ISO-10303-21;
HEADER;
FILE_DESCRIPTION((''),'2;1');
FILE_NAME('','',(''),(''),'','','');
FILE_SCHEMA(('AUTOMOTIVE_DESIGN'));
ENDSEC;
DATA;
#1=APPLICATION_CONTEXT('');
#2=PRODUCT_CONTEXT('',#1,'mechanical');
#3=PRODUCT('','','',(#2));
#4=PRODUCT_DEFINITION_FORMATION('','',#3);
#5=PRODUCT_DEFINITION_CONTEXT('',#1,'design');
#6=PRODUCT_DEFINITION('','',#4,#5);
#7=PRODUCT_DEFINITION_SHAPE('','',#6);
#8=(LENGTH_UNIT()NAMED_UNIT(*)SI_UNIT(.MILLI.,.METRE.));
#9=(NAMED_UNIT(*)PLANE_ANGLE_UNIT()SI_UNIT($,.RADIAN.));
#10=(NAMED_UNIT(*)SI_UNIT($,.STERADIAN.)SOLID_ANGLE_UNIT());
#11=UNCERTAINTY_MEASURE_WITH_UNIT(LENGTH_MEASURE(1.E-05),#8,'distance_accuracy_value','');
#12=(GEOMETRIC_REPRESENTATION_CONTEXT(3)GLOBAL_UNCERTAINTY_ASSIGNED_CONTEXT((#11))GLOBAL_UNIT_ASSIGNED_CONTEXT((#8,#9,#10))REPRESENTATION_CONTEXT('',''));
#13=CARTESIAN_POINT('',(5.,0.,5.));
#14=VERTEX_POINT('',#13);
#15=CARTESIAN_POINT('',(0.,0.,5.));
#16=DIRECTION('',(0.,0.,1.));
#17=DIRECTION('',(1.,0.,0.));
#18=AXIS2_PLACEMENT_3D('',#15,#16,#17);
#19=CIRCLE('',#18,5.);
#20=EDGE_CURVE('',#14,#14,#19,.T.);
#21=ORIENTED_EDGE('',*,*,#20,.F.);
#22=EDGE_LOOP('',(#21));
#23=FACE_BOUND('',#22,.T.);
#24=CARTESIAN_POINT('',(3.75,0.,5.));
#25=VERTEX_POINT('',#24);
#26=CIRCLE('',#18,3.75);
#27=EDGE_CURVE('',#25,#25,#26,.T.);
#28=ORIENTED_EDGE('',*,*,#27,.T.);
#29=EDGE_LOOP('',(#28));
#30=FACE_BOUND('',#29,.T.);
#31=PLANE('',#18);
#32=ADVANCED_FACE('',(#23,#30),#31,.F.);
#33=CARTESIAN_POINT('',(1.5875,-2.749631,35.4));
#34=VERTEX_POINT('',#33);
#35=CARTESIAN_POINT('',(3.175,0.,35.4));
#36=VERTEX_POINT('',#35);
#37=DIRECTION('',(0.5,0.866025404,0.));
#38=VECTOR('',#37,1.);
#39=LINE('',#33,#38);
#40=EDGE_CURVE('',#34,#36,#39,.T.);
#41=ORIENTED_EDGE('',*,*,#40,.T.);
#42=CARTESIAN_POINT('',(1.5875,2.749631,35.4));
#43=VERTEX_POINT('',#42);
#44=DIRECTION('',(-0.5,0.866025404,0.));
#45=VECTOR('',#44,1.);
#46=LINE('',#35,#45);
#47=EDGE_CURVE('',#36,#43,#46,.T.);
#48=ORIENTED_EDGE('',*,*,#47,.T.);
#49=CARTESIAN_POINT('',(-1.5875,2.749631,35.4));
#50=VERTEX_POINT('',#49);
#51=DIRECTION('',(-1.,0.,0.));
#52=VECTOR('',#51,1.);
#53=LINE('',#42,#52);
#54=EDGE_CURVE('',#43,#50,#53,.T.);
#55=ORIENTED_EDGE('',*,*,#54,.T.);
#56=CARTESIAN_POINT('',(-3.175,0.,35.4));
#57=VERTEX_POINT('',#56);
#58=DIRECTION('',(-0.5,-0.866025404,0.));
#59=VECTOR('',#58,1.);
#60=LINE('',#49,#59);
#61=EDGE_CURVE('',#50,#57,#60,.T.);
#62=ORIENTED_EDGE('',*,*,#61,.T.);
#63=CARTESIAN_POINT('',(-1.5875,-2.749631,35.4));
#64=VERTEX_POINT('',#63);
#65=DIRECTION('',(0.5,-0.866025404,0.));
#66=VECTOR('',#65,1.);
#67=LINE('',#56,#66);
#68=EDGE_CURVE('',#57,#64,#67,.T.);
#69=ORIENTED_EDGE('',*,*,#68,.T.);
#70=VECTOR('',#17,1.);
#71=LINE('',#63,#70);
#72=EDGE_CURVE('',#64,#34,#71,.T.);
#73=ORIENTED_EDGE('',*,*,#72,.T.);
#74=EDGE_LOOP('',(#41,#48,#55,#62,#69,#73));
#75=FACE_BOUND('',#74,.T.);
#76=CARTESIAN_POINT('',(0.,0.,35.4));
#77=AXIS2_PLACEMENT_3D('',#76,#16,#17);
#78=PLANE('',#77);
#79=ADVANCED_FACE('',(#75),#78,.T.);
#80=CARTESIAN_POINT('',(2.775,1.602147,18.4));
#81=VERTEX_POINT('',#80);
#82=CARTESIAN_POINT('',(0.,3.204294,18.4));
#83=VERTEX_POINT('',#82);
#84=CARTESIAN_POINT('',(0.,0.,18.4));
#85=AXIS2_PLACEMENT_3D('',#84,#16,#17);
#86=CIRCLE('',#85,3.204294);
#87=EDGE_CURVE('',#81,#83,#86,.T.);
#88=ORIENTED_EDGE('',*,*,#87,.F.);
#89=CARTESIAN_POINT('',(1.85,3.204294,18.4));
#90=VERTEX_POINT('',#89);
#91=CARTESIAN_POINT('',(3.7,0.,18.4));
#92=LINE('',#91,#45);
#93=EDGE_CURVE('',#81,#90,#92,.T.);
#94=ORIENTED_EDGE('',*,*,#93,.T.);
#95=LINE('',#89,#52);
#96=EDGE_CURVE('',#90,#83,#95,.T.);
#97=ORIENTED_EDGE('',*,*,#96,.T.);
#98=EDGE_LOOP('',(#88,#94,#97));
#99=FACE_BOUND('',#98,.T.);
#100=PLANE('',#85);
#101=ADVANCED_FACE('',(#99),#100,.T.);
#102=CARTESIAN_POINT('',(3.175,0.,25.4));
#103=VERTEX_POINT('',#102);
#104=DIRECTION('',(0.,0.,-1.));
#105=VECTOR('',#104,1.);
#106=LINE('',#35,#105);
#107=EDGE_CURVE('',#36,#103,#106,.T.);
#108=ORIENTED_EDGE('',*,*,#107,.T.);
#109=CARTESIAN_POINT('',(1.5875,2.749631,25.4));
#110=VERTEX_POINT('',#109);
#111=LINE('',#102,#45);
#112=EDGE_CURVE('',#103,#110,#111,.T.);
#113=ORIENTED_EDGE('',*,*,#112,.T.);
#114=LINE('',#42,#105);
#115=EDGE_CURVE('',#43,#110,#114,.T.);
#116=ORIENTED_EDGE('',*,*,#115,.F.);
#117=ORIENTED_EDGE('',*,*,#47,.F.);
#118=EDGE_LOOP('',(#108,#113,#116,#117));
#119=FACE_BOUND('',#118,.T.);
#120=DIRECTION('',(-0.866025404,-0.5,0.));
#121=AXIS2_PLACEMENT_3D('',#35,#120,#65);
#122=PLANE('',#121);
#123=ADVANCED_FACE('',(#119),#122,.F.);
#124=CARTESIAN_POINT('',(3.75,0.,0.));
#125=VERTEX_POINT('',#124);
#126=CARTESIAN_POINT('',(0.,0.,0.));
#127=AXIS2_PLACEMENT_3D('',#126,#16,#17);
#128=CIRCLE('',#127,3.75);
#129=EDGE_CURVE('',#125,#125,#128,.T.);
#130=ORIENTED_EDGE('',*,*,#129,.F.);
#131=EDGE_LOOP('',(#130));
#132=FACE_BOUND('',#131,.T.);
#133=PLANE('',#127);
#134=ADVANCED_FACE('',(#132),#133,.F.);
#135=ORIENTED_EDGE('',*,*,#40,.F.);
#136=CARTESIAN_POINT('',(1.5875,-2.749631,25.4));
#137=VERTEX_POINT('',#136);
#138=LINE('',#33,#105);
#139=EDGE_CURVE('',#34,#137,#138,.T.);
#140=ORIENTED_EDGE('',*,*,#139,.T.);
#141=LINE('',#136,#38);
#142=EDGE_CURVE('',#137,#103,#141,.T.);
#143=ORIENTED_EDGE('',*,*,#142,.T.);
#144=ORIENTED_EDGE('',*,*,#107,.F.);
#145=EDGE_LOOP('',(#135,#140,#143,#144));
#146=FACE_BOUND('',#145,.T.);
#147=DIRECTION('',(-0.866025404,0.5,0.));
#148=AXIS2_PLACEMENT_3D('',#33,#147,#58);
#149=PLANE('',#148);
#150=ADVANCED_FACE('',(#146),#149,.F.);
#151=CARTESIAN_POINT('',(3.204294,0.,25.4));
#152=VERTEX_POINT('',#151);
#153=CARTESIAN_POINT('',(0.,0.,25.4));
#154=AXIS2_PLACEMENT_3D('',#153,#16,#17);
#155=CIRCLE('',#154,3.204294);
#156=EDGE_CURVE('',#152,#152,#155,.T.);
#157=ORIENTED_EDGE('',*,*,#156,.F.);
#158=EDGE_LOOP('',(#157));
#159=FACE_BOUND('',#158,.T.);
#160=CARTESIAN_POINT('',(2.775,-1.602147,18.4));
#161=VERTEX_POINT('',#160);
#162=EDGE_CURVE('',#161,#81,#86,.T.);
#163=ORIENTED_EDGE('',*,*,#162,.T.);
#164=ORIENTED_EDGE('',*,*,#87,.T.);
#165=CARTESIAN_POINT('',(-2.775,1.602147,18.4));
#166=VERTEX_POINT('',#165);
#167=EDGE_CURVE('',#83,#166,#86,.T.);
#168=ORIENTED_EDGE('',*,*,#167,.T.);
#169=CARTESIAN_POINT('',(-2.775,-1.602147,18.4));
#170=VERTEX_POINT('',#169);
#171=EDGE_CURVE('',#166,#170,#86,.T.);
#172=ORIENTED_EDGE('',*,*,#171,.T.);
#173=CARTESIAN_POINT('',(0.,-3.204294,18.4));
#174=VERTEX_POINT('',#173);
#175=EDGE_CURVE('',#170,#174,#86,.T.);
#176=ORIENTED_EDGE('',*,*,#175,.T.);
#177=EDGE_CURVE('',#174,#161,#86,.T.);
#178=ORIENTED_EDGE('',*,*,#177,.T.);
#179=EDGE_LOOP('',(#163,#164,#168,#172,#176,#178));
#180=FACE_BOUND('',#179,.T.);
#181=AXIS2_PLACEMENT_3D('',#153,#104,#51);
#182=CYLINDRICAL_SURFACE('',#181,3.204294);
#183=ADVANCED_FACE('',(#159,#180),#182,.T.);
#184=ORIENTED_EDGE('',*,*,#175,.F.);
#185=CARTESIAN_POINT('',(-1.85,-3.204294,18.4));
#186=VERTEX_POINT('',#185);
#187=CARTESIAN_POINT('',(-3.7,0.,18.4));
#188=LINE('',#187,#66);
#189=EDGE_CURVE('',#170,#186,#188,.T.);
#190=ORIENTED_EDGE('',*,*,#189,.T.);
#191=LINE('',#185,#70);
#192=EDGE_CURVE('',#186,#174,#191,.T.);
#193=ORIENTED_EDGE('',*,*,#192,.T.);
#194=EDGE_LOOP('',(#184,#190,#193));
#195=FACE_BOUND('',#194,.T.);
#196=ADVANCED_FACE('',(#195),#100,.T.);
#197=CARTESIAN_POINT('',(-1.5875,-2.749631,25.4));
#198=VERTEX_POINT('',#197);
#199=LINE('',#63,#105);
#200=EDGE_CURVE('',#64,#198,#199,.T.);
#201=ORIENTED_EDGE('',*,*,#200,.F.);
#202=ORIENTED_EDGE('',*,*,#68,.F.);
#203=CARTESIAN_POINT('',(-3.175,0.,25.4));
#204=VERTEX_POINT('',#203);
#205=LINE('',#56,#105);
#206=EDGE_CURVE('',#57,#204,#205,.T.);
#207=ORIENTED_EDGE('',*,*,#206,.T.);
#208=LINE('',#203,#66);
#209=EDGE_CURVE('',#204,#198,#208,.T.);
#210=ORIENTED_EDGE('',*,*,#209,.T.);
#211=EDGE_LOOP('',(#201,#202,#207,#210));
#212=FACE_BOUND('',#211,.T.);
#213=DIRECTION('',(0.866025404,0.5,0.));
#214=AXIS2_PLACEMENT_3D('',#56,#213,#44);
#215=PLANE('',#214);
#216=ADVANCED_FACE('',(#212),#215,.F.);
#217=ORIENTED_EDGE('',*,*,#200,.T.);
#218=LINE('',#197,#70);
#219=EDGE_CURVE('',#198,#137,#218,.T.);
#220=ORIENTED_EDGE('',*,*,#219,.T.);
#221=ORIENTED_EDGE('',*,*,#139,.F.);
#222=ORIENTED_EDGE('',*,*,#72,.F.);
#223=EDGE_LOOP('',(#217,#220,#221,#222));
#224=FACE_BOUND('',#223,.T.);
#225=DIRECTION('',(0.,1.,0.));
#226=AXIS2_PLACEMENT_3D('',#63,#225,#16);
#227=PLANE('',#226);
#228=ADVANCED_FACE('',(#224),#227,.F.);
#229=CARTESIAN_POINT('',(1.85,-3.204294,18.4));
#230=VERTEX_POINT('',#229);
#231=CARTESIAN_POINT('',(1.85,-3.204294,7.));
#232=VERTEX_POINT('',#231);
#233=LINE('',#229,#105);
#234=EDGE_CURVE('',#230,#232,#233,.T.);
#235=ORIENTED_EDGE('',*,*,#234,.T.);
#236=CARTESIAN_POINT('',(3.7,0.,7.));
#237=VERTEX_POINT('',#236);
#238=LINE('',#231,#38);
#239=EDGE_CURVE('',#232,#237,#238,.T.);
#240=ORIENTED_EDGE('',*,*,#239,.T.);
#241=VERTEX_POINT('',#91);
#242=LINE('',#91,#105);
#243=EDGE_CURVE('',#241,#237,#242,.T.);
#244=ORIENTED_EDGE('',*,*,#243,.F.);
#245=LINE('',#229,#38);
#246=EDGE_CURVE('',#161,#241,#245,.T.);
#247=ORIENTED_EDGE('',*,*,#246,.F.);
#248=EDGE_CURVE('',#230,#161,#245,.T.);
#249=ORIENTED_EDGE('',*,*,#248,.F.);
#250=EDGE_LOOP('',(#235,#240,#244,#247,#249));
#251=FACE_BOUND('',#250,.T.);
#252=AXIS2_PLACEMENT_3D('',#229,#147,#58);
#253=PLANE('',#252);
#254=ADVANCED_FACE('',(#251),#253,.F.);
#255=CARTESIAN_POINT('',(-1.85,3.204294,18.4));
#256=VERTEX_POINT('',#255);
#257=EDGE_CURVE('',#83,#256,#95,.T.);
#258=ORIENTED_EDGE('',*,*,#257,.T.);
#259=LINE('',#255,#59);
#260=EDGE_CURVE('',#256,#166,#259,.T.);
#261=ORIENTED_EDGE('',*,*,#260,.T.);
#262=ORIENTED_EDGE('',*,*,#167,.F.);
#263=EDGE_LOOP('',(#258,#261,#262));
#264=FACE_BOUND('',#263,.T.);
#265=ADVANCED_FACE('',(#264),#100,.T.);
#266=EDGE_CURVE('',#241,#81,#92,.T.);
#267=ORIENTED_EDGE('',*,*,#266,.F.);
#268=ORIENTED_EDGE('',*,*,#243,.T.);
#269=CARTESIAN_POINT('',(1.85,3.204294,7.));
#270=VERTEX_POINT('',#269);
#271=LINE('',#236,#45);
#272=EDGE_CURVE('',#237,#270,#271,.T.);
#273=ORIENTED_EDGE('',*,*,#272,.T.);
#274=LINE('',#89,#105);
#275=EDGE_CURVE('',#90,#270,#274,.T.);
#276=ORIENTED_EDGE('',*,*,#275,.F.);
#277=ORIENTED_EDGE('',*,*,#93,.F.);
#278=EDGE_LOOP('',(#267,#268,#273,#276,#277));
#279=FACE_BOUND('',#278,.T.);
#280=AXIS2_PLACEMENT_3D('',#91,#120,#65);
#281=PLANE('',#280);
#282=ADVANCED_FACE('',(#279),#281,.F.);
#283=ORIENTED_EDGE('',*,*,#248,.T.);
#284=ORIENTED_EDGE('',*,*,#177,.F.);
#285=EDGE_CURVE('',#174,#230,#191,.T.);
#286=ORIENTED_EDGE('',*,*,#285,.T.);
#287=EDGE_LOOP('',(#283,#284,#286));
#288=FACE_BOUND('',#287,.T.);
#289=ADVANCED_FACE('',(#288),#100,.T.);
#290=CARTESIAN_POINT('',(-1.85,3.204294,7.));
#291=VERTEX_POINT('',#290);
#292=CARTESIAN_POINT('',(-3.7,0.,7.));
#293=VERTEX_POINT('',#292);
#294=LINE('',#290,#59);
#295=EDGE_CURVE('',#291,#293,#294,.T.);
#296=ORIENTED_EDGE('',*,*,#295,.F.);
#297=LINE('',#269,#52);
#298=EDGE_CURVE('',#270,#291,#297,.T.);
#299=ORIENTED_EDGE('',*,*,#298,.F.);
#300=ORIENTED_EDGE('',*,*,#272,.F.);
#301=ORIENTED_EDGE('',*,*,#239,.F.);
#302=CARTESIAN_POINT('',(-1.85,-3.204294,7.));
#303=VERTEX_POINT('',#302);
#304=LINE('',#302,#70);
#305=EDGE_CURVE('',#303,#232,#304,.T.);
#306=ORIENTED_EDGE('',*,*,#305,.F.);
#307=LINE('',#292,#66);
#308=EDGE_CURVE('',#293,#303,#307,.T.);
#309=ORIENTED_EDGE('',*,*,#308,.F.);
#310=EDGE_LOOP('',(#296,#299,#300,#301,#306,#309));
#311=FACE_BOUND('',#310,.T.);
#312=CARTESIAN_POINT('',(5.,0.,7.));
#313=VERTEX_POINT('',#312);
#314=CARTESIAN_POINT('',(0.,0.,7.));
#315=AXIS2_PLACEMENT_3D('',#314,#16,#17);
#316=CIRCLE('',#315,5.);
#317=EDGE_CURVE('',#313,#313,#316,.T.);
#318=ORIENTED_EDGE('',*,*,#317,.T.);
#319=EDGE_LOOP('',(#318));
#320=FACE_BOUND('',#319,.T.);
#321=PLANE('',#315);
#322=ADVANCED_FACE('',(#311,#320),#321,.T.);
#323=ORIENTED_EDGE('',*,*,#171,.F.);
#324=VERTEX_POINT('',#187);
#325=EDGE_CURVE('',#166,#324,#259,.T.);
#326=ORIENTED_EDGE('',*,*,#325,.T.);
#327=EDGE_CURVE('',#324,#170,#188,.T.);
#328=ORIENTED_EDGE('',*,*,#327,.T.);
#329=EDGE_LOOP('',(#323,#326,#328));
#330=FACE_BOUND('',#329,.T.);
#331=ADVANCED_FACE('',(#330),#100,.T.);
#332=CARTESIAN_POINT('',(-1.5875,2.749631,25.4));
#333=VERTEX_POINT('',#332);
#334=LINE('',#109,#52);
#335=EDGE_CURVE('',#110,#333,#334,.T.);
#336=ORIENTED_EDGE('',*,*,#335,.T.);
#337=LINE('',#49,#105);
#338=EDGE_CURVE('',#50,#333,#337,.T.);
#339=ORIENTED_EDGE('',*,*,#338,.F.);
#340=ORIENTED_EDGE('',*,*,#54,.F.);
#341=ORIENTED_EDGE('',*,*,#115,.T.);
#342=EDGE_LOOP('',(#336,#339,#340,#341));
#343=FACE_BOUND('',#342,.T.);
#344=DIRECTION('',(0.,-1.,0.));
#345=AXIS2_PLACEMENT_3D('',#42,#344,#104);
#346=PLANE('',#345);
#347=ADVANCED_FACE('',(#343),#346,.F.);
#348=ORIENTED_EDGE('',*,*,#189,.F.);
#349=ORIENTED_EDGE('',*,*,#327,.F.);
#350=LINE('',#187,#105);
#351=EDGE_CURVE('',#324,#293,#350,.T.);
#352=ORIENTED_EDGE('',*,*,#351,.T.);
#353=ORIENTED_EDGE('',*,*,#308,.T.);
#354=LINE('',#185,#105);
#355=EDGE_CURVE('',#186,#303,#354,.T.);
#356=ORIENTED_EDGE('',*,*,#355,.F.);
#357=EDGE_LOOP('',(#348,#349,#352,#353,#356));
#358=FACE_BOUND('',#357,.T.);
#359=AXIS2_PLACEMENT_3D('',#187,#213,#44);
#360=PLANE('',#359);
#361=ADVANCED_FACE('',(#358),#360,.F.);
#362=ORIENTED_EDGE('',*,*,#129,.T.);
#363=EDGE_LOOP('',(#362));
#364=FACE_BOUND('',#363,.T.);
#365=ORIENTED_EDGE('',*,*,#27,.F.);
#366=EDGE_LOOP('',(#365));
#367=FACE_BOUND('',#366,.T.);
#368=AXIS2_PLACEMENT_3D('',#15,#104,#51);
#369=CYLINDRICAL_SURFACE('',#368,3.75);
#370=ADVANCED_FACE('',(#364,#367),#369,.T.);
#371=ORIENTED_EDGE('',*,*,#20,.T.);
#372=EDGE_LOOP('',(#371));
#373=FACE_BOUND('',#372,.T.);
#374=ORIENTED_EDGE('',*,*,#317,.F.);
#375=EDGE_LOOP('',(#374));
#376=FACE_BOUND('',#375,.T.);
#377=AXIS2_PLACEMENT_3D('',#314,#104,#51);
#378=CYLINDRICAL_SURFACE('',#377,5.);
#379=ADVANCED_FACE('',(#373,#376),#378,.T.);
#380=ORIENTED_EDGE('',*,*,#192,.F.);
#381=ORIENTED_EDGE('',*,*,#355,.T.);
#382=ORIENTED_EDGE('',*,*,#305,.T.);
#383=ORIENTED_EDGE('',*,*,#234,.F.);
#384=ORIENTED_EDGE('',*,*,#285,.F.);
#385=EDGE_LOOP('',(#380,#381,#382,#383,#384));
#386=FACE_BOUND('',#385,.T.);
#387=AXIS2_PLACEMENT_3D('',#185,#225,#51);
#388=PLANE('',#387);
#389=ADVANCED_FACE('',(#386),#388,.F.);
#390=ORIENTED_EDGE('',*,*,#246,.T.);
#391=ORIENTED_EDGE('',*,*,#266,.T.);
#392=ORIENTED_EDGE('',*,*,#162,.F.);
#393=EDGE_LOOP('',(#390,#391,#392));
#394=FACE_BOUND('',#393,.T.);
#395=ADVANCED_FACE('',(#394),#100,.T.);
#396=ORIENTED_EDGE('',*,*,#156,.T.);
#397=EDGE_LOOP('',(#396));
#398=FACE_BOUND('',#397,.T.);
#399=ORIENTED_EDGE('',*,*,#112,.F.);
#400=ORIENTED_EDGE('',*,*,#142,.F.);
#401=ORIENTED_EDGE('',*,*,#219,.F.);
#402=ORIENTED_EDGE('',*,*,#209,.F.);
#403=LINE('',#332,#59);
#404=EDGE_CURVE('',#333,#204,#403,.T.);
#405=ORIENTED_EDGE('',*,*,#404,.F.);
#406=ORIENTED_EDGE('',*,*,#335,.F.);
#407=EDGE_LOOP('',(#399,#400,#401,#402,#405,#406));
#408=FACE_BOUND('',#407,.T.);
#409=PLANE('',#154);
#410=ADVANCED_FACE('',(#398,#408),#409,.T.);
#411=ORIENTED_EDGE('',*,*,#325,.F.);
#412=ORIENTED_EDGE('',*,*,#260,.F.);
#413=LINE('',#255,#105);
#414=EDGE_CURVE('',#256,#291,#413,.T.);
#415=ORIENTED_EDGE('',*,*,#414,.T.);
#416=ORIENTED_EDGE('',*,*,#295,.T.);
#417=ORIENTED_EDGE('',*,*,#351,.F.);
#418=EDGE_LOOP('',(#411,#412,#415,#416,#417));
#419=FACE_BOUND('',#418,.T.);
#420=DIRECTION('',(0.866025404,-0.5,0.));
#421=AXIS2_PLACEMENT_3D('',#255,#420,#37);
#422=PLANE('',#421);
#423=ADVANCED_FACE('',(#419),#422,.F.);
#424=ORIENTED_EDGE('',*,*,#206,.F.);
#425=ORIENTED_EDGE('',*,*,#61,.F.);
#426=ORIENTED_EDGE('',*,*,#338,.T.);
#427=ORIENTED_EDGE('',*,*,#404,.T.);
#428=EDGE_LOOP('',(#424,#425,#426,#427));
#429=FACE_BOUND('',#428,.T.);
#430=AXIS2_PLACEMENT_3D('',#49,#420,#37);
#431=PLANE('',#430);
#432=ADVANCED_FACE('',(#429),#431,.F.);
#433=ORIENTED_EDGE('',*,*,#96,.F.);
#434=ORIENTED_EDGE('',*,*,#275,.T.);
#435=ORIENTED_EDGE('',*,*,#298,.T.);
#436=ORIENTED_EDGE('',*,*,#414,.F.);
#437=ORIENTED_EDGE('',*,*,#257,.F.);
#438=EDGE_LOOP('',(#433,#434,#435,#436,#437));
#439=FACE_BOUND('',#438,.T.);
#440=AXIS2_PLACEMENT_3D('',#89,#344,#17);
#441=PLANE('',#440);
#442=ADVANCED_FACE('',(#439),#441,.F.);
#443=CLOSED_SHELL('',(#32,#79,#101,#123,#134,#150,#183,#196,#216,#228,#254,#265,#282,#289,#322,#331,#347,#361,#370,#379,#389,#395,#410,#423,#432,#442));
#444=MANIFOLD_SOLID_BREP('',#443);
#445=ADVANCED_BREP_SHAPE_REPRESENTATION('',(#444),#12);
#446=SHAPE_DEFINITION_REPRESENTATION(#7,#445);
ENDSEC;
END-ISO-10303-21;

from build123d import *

# Parameters (mm, degrees)
SKETCH1_R           = 3.75
BOSS_EXTRUDE1_DEPTH = 5
SKETCH2_R           = 5
BOSS_EXTRUDE2_DEPTH = 2
BOSS_EXTRUDE3_DEPTH = 11.4
SKETCH4_R           = 3.204293994
BOSS_EXTRUDE4_DEPTH = 7
BOSS_EXTRUDE5_DEPTH = 10


with BuildPart() as part:
    # Sketch1 → Boss-Extrude1 (new body)
    with BuildSketch(Plane.XY):
        Circle(SKETCH1_R)
    extrude(amount=BOSS_EXTRUDE1_DEPTH)

    # Sketch2 → Boss-Extrude2 (add)
    with BuildSketch(Plane.XY.offset(5)):
        Circle(SKETCH2_R)
    extrude(amount=BOSS_EXTRUDE2_DEPTH)

    # Sketch3 → Boss-Extrude3 (add)
    with BuildSketch(Plane.XY.offset(7)):
        Polygon((3.7, 0), (1.85, 3.204293994), (-1.85, 3.204293994), (-3.7, 0), (-1.85, -3.204293994), (1.85, -3.204293994), align=None)
    extrude(amount=BOSS_EXTRUDE3_DEPTH)

    # Sketch4 → Boss-Extrude4 (add)
    with BuildSketch(Plane.XY.offset(18.4)):
        Circle(SKETCH4_R)
    extrude(amount=BOSS_EXTRUDE4_DEPTH)

    # Sketch5 → Boss-Extrude5 (add)
    with BuildSketch(Plane.XY.offset(25.4)):
        Polygon((3.175, 0), (1.5875, 2.749630657), (-1.5875, 2.749630657), (-3.175, 0), (-1.5875, -2.749630657), (1.5875, -2.749630657), align=None)
    extrude(amount=BOSS_EXTRUDE5_DEPTH)


solid = part.part
